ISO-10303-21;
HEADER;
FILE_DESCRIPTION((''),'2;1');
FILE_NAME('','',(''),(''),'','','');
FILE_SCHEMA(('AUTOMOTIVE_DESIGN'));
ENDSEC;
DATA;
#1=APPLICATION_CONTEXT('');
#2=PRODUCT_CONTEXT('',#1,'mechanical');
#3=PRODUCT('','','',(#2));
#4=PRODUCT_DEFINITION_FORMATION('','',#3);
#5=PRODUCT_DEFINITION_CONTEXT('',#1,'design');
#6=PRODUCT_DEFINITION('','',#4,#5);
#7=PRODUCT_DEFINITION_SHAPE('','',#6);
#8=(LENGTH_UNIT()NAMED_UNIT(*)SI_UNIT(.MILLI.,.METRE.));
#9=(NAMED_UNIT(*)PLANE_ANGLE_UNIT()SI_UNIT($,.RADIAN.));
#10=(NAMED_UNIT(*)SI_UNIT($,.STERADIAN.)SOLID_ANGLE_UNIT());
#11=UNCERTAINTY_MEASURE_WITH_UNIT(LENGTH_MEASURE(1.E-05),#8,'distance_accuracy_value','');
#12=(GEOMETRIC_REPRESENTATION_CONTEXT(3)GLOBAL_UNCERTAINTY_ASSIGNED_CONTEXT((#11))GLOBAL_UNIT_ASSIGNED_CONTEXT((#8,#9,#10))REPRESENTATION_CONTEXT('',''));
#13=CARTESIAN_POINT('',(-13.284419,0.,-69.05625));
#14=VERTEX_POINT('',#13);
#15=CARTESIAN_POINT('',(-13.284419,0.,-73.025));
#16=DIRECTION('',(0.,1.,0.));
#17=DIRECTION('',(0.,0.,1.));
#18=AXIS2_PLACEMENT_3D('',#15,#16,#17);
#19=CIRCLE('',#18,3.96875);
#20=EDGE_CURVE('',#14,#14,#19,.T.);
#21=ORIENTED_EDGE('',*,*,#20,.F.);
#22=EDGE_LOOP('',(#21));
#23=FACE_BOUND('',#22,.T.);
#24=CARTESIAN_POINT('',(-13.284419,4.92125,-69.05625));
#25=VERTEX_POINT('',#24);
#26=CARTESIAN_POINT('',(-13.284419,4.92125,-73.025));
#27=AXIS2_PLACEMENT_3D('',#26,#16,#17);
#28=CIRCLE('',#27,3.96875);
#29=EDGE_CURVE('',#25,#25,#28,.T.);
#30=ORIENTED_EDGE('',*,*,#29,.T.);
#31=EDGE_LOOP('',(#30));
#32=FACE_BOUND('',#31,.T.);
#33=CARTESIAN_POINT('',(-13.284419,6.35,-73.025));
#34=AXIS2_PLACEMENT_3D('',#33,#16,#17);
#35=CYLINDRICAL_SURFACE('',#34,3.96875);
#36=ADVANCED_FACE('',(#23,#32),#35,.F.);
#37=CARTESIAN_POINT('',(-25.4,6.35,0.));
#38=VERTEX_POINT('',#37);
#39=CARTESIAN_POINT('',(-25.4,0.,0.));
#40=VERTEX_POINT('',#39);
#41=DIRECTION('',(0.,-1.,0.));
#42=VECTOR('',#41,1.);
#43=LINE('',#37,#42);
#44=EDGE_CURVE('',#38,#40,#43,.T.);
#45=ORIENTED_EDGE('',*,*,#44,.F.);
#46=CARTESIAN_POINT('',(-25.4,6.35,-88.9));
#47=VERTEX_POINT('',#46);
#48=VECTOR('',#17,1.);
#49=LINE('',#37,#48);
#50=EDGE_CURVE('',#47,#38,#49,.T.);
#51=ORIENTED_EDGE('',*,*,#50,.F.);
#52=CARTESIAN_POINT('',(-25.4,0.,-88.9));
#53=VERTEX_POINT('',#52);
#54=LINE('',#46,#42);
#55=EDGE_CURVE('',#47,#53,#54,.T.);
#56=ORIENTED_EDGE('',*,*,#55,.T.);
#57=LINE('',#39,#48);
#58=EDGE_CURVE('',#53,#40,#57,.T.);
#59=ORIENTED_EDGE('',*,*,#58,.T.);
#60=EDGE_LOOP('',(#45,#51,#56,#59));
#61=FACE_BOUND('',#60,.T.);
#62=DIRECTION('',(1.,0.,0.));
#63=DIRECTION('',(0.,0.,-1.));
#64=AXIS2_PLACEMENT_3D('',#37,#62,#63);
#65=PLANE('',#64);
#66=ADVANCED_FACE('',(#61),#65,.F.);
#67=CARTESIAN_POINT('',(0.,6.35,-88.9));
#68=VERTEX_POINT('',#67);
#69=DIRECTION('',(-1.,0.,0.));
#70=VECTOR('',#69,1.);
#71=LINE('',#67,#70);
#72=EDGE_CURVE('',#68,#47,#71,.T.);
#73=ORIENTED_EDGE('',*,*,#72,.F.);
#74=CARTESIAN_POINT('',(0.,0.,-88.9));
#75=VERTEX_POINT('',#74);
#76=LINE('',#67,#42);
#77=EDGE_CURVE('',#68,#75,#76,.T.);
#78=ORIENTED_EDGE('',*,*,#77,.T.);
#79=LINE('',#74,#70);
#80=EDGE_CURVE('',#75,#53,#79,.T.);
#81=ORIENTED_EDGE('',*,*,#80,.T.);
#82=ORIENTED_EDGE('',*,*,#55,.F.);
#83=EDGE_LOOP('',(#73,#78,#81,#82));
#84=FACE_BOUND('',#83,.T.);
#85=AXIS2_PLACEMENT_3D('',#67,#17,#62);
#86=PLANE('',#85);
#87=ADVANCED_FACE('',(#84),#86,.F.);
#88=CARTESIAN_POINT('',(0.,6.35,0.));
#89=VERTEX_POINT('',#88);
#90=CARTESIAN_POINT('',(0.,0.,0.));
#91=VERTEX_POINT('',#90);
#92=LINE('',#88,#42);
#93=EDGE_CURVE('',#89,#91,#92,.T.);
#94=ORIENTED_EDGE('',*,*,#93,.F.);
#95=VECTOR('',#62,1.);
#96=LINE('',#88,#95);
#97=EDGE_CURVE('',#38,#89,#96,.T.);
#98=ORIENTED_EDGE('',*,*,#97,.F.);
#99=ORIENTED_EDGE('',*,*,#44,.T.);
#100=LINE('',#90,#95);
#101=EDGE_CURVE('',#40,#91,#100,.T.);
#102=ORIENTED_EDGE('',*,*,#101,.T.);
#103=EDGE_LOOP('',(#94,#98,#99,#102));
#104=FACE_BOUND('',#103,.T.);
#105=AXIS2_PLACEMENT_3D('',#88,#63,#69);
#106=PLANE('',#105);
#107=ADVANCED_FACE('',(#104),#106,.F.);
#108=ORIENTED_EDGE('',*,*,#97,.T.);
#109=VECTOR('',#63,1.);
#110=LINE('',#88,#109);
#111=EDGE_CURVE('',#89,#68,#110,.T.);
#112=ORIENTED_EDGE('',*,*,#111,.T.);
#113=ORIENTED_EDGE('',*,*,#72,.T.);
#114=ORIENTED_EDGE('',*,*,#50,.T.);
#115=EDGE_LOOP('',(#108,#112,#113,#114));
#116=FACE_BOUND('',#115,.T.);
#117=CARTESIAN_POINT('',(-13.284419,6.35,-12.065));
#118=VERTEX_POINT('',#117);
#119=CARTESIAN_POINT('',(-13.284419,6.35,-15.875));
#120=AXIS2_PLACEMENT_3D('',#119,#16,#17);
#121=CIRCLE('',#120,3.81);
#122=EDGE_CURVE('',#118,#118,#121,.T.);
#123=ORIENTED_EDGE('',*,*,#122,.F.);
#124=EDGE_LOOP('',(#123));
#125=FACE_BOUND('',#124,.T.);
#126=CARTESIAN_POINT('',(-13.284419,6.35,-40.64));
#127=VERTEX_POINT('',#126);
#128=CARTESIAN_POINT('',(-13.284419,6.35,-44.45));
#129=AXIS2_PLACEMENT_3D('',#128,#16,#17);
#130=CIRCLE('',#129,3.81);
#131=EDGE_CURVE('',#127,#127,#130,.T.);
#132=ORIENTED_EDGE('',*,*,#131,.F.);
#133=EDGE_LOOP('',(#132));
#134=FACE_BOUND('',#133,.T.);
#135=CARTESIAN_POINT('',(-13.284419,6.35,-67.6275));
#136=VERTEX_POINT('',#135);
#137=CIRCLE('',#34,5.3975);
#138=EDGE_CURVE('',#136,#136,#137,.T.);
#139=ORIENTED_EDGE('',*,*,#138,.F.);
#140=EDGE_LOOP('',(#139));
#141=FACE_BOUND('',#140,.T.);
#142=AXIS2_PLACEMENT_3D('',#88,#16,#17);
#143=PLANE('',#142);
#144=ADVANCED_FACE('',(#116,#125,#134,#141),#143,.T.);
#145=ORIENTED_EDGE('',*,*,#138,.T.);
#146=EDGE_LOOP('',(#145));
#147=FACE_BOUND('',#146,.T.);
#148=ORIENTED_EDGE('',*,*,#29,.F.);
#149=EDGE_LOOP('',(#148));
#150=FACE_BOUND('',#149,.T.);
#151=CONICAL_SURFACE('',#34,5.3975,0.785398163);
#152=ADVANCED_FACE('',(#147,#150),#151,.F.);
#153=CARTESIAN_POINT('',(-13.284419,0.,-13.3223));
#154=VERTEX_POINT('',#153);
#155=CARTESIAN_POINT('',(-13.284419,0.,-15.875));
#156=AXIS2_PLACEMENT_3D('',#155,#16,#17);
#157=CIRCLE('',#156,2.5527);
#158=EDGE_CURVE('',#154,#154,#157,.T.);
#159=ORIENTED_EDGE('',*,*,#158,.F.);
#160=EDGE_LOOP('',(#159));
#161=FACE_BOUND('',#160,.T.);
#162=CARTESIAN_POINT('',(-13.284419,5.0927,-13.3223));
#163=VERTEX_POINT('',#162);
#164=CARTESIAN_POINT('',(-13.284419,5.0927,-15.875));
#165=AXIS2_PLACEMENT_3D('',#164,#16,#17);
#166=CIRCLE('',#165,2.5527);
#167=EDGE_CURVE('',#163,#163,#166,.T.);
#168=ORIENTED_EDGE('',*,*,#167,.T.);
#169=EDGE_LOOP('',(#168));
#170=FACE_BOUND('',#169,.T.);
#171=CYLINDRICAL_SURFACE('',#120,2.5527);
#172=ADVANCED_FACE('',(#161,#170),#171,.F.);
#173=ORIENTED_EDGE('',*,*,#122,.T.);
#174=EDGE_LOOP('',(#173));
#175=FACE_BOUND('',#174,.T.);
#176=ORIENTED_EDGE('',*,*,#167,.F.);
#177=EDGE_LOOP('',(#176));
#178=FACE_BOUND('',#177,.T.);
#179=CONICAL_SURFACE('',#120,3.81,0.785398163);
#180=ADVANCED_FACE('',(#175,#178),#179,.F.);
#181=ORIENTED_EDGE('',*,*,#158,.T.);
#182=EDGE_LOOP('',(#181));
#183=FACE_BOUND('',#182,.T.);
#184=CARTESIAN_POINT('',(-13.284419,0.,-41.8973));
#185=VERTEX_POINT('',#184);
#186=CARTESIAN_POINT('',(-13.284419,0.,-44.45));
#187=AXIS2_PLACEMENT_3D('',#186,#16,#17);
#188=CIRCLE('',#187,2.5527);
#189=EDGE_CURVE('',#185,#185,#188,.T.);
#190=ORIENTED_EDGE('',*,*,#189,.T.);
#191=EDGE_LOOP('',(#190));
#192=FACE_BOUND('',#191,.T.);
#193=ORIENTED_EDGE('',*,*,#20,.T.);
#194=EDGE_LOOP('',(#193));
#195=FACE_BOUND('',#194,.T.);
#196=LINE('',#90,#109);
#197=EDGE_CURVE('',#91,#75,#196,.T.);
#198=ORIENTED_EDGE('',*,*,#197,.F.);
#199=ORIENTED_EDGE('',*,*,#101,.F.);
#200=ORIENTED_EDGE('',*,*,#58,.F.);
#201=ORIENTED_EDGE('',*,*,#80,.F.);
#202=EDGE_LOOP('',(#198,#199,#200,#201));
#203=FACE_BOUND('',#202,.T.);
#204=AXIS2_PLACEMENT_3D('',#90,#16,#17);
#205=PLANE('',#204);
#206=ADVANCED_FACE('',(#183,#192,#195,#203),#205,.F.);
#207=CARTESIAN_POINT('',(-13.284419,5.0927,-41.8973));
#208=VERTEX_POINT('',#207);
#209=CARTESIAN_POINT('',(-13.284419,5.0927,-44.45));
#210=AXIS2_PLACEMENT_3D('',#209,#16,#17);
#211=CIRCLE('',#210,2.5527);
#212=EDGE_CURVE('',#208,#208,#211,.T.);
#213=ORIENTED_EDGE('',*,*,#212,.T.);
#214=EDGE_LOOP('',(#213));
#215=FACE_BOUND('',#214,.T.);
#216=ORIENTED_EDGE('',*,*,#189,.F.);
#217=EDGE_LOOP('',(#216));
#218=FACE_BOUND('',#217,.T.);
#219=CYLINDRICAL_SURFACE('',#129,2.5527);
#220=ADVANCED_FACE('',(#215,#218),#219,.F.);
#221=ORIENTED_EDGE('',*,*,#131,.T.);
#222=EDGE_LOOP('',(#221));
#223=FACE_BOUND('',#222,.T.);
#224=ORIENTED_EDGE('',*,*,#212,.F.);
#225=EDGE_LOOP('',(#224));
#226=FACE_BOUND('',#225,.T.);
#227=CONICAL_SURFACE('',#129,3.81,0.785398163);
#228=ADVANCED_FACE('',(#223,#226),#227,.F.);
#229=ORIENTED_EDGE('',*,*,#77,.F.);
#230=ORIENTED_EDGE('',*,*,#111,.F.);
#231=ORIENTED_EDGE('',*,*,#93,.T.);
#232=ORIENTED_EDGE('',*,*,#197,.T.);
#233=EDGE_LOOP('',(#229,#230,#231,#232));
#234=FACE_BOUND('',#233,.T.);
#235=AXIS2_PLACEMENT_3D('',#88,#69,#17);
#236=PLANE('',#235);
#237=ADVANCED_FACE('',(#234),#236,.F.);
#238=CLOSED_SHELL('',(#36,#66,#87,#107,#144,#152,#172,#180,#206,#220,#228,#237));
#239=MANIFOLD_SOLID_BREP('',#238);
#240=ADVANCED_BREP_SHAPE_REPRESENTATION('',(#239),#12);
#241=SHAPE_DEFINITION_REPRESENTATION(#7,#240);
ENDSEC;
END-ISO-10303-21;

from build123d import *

# Parameters (mm, degrees)
SKETCH1_W                         = 25.4
SKETCH1_H                         = 88.9
BOSS_EXTRUDE1_DEPTH               = 6.35
F_1_4_20_TAPPED_HOLE1_D           = 5.1054
F_1_4_20_TAPPED_HOLE1_CSINK_D     = 7.62
F_1_4_20_TAPPED_HOLE1_CSINK_ANGLE = 90
F_3_8_16_TAPPED_HOLE1_D           = 7.9375
F_3_8_16_TAPPED_HOLE1_CSINK_D     = 10.795
F_3_8_16_TAPPED_HOLE1_CSINK_ANGLE = 90


with BuildPart() as part:
    # Sketch1 → Boss-Extrude1 (new body)
    with BuildSketch(Plane(origin=(0, 0, 0), x_dir=(1, 0, 0), z_dir=(0, 1, 0))):
        with Locations((-12.7, 44.45)):
            Rectangle(SKETCH1_W, SKETCH1_H)
    extrude(amount=BOSS_EXTRUDE1_DEPTH)

    # 1/4-20 Tapped Hole1 (through all)
    with Locations(Plane(origin=(0, 6.35, 0), x_dir=(1, 0, 0), z_dir=(0, 1, 0))):
        with Locations((-13.284419072, 15.875), (-13.284419072, 44.45)):
            CounterSinkHole(F_1_4_20_TAPPED_HOLE1_D / 2, F_1_4_20_TAPPED_HOLE1_CSINK_D / 2, counter_sink_angle=F_1_4_20_TAPPED_HOLE1_CSINK_ANGLE)

    # 3/8-16 Tapped Hole1 (through all)
    with Locations(Plane(origin=(0, 6.35, 0), x_dir=(1, 0, 0), z_dir=(0, 1, 0))):
        with Locations((-13.284419072, 73.025)):
            CounterSinkHole(F_3_8_16_TAPPED_HOLE1_D / 2, F_3_8_16_TAPPED_HOLE1_CSINK_D / 2, counter_sink_angle=F_3_8_16_TAPPED_HOLE1_CSINK_ANGLE)


solid = part.part
